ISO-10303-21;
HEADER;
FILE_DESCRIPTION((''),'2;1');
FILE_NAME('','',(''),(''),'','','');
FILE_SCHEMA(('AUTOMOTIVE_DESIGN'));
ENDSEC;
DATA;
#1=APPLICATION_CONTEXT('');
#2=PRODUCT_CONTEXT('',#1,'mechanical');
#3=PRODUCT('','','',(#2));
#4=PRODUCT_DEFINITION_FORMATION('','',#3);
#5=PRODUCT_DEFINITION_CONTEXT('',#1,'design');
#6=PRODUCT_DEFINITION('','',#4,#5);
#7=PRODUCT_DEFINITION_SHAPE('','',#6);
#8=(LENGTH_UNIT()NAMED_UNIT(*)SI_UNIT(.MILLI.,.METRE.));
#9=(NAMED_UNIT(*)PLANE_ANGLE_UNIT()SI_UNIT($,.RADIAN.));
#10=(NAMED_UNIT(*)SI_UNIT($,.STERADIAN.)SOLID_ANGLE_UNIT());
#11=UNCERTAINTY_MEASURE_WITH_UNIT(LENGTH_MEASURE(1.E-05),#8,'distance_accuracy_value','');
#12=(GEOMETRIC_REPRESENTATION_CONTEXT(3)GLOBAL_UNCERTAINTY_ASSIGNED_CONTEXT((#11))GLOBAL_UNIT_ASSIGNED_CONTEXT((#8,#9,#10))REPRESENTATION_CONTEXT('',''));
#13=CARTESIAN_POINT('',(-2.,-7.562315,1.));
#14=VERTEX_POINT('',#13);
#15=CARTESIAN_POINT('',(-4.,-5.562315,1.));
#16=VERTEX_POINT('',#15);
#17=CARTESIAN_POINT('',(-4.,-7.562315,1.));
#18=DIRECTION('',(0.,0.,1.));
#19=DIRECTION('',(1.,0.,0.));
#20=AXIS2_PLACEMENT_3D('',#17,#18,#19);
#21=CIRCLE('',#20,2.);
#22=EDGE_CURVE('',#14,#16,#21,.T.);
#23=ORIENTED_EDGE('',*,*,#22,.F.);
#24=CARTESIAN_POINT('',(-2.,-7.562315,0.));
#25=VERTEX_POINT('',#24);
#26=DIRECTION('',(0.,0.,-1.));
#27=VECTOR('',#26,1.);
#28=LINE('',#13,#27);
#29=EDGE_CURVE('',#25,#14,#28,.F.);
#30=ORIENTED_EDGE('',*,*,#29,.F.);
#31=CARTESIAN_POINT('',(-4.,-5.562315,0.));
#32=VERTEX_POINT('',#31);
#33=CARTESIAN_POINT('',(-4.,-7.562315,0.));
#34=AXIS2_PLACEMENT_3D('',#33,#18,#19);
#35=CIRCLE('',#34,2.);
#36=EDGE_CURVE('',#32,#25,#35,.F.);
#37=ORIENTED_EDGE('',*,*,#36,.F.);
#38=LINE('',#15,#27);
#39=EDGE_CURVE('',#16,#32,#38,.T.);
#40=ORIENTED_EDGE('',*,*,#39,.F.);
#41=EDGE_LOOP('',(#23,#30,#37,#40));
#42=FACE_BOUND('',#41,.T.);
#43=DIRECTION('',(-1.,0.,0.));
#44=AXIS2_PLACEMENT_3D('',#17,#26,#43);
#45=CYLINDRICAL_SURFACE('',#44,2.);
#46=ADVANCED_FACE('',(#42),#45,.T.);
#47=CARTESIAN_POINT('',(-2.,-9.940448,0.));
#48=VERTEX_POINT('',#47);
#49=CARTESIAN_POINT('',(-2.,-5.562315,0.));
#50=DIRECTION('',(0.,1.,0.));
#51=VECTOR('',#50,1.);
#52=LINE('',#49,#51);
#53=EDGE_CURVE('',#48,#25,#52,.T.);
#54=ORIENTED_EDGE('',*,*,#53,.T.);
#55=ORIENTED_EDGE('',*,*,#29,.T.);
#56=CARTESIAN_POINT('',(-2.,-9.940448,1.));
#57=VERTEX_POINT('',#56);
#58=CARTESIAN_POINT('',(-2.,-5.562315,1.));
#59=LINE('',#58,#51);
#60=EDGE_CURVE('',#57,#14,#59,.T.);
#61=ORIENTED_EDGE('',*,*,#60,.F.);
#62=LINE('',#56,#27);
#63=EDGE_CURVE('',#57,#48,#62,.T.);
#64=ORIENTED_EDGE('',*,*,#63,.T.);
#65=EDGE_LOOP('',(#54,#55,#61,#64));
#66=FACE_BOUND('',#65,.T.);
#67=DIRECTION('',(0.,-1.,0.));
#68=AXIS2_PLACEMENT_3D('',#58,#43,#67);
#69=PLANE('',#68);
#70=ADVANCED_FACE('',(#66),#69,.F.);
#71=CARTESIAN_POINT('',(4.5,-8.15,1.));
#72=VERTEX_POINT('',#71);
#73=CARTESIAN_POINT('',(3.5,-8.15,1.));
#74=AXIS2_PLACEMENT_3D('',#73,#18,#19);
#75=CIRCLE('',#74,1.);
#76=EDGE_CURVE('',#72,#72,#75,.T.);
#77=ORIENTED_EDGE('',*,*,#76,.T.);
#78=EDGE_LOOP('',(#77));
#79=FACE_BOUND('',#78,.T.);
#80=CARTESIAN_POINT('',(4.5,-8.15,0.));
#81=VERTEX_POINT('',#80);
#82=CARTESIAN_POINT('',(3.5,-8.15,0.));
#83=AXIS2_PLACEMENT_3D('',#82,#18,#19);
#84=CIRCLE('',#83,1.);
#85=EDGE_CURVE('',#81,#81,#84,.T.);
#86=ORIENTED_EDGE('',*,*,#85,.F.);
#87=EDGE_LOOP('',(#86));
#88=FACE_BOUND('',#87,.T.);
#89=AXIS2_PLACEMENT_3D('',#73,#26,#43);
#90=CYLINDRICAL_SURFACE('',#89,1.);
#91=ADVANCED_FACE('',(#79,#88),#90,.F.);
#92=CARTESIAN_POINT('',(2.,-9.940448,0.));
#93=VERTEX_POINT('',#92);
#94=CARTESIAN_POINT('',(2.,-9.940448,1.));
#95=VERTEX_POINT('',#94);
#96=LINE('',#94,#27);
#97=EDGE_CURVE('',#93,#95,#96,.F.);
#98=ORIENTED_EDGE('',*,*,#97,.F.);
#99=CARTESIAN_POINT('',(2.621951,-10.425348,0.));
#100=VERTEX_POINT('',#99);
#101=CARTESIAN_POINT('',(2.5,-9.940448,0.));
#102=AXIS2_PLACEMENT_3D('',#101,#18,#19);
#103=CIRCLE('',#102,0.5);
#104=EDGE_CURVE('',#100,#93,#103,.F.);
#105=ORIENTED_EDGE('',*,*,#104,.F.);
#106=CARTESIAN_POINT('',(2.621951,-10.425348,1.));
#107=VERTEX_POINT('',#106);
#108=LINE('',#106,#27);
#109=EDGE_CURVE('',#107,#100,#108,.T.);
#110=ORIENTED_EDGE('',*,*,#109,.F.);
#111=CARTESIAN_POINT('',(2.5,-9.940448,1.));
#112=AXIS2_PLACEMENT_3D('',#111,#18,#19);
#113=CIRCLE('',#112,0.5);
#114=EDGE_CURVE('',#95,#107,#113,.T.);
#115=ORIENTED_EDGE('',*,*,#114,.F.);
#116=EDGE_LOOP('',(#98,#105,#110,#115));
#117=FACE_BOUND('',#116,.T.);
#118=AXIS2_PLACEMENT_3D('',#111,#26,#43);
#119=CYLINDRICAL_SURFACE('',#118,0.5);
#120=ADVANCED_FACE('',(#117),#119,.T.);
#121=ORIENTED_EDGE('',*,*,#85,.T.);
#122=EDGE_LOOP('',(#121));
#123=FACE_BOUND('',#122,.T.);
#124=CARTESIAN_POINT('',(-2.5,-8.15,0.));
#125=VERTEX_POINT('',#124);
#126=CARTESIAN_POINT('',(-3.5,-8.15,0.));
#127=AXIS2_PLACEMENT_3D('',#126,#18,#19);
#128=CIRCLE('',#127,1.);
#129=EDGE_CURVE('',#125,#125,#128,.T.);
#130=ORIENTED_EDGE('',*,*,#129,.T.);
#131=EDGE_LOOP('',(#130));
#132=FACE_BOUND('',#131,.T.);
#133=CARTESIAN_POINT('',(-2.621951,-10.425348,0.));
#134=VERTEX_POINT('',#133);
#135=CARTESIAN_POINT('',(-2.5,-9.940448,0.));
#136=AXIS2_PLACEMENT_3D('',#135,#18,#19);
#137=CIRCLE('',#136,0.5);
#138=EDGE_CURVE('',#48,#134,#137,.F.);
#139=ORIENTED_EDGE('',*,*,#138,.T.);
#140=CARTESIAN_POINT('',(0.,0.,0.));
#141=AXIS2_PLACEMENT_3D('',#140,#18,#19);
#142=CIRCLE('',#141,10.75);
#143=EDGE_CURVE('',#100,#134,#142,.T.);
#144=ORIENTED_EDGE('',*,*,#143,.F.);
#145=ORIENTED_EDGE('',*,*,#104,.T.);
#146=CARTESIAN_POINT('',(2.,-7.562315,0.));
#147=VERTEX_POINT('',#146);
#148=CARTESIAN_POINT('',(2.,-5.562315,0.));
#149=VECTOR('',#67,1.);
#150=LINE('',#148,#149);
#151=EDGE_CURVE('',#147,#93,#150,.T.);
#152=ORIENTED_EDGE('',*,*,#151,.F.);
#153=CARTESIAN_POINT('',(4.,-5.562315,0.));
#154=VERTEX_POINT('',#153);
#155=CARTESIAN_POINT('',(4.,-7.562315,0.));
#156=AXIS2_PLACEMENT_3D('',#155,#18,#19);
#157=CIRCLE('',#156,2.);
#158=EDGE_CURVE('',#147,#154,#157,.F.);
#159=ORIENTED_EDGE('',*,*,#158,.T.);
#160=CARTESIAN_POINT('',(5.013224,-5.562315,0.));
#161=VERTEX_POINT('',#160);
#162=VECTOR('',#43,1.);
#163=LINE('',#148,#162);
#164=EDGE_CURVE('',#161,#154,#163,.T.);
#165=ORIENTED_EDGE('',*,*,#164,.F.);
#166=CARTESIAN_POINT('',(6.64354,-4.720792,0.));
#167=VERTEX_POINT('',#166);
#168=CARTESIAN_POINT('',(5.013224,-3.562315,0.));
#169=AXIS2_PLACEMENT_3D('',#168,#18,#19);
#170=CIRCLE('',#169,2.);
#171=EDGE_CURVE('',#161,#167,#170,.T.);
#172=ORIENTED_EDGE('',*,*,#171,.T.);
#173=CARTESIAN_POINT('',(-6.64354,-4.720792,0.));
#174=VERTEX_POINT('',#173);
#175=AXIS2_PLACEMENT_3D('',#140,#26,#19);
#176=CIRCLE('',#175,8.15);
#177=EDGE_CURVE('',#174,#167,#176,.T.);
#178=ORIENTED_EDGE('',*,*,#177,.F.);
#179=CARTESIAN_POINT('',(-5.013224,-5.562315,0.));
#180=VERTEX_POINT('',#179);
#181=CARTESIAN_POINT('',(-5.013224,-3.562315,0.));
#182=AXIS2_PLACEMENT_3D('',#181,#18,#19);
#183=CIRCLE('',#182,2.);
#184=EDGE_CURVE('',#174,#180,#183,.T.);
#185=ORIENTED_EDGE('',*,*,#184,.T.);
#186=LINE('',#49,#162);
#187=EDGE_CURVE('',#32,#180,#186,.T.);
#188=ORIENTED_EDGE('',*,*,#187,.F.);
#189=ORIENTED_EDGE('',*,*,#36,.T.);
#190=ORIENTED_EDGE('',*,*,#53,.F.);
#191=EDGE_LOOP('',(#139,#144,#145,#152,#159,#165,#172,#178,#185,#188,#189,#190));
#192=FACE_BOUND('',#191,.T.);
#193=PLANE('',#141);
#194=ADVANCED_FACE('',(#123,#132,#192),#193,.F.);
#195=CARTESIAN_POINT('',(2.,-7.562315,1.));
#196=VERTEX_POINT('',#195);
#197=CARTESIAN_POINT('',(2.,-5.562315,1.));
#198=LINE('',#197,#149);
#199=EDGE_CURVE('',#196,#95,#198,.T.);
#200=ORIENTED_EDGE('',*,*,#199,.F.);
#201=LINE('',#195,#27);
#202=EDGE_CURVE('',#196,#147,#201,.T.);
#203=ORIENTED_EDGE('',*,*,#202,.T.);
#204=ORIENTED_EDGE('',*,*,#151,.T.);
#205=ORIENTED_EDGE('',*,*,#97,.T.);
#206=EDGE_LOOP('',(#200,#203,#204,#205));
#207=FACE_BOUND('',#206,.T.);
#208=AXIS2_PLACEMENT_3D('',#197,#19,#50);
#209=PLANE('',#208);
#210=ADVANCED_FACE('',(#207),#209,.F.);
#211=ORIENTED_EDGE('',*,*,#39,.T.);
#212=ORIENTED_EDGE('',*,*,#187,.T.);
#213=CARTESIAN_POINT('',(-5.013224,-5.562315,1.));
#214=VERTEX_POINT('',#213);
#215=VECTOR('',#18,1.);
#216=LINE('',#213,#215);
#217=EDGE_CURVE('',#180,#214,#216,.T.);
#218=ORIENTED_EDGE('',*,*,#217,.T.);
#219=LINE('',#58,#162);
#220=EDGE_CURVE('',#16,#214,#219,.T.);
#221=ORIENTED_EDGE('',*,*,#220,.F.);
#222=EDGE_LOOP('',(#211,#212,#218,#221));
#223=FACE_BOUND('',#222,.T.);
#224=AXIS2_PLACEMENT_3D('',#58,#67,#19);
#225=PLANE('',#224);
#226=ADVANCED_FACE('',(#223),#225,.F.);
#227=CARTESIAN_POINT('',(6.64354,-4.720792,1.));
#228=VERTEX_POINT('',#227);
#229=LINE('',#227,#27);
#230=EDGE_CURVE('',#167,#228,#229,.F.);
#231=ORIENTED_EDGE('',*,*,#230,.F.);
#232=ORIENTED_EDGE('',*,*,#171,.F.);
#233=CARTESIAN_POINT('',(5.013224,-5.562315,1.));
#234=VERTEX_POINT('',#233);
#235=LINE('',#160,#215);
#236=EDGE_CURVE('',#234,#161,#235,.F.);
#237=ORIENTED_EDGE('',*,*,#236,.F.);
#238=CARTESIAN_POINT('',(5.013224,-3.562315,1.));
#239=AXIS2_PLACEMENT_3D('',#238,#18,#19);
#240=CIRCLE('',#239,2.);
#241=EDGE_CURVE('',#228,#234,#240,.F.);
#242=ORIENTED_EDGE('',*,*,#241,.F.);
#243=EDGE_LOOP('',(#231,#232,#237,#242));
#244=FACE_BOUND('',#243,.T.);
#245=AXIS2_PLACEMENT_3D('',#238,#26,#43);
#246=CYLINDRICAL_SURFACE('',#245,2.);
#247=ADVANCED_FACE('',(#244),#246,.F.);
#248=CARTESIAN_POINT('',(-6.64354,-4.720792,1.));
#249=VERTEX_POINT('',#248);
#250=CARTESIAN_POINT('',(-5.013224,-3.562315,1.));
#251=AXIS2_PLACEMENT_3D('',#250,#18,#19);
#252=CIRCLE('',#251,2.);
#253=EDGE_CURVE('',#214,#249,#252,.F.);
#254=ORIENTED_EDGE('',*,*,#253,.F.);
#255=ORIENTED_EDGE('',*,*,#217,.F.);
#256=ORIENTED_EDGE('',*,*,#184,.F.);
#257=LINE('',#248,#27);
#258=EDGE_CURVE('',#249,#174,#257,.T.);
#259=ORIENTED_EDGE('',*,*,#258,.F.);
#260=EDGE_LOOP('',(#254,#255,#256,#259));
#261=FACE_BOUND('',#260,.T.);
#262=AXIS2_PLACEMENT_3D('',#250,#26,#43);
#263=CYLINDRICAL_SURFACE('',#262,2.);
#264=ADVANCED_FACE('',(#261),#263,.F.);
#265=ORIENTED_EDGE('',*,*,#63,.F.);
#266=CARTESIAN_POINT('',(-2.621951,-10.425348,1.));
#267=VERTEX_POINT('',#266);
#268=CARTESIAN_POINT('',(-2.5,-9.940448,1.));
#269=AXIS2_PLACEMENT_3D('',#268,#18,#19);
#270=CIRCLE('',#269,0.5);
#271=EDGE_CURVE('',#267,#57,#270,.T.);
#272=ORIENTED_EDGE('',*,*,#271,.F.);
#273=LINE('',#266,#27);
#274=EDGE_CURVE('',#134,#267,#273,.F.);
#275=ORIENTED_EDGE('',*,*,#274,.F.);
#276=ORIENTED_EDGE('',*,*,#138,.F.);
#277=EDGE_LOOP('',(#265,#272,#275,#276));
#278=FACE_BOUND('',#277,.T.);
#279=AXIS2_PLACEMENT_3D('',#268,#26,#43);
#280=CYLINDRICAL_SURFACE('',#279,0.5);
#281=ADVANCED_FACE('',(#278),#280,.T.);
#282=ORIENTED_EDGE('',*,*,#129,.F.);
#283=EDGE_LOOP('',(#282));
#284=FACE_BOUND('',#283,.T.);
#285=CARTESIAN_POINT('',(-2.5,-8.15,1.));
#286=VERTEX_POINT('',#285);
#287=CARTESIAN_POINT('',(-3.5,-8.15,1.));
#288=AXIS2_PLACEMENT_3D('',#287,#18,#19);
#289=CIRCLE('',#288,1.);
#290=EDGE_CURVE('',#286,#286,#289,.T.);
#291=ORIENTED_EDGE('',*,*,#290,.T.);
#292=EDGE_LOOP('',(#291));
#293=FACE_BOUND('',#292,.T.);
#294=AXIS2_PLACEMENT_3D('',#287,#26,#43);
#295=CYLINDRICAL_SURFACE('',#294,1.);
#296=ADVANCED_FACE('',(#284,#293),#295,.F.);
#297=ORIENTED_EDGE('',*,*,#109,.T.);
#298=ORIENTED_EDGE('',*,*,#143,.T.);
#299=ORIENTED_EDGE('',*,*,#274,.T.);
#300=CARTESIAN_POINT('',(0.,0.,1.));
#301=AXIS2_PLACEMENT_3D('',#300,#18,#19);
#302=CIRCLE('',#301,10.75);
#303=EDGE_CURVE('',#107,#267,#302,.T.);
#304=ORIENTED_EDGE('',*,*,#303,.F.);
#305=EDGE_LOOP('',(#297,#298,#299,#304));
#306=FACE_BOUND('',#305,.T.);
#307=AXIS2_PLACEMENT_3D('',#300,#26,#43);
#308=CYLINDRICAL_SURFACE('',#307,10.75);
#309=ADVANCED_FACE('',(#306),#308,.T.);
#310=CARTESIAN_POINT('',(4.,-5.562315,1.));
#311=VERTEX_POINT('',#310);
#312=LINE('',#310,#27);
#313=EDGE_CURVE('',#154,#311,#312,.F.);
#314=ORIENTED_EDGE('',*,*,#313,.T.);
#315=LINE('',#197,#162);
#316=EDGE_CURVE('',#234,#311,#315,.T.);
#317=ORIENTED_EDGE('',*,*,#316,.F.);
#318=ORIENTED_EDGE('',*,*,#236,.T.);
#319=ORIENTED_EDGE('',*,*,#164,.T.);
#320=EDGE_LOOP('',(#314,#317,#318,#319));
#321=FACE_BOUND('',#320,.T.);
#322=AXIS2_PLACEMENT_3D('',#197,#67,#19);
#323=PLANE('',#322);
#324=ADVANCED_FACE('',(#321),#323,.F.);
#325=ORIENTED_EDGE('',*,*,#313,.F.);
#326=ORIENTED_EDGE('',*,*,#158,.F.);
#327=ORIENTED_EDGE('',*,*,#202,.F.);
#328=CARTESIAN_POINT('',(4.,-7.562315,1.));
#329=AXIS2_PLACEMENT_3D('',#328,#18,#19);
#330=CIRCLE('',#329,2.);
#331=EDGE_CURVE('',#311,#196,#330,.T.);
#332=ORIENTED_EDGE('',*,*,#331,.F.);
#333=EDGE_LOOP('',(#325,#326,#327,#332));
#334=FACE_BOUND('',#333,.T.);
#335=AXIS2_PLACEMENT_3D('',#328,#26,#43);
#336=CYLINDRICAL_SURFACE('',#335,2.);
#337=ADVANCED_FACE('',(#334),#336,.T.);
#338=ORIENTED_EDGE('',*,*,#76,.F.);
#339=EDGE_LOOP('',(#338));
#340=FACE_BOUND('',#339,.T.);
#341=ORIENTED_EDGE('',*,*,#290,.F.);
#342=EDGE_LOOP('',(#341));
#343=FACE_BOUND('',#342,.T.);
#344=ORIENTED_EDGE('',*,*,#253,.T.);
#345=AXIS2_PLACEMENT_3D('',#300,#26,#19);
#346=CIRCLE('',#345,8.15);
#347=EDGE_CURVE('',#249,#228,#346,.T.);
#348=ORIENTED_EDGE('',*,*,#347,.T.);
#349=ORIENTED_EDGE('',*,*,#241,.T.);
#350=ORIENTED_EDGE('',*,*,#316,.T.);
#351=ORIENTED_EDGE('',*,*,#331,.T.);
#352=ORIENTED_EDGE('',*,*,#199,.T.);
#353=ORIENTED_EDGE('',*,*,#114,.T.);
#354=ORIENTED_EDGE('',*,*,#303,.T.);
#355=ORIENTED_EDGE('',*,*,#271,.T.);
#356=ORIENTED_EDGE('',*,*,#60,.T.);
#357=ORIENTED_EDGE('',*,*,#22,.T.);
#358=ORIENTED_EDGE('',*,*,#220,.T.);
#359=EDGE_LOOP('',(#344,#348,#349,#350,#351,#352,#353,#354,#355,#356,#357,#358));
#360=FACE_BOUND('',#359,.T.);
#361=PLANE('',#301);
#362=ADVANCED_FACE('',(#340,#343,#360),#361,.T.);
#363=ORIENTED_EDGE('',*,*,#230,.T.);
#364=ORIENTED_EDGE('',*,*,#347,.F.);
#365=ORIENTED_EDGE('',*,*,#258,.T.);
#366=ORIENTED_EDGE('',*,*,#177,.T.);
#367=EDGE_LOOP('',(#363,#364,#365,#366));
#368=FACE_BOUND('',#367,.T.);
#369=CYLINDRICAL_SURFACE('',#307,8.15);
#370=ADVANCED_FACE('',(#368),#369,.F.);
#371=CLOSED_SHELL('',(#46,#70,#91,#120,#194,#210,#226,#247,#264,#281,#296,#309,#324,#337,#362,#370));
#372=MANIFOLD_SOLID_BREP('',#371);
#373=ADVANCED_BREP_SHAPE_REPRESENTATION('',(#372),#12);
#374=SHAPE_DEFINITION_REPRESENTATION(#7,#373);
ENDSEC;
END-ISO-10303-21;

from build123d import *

# Parameters (mm, degrees)
IZIM1_R                     = 1
Y_KSEKLIK_EKSTR_ZYON1_DEPTH = 1
RADYUS1_R                   = 2
RADYUS2_R                   = 0.5


with BuildPart() as part:
    # Çizim1 → Yükseklik-Ekstrüzyon1 (new body)
    with BuildSketch(Plane.XY):
        with BuildLine():
            Line((-2, -5.562315087), (-2, -10.562315087))
            ThreePointArc((-2, -10.562315087), (0, 10.75), (2, -10.562315087))
            Line((2, -10.562315087), (2, -5.562315087))
            Line((2, -5.562315087), (5.956773529, -5.562315087))
            ThreePointArc((5.956773529, -5.562315087), (0, 8.15), (-5.956773529, -5.562315087))
            Line((-5.956773529, -5.562315087), (-2, -5.562315087))
        make_face()
        with Locations((-3.5, -8.15)):
            Circle(IZIM1_R, mode=Mode.SUBTRACT)
        with Locations((3.5, -8.15)):
            Circle(IZIM1_R, mode=Mode.SUBTRACT)
    extrude(amount=Y_KSEKLIK_EKSTR_ZYON1_DEPTH)

    # Radyus1
    radyus1_edges = [part.edges().sort_by_distance(p)[0] for p in [
        (-2, -5.562315087, 0.5),
        (2, -5.562315087, 0.5),
        (5.956773529, -5.562315087, 0.5),
        (-5.956773529, -5.562315087, 0.5),
    ]]
    fillet(radyus1_edges, radius=RADYUS1_R)

    # Radyus2
    radyus2_edges = [part.edges().sort_by_distance(p)[0] for p in [
        (-2, -10.562315087, 0.5),
        (2, -10.562315087, 0.5),
    ]]
    fillet(radyus2_edges, radius=RADYUS2_R)


solid = part.part
